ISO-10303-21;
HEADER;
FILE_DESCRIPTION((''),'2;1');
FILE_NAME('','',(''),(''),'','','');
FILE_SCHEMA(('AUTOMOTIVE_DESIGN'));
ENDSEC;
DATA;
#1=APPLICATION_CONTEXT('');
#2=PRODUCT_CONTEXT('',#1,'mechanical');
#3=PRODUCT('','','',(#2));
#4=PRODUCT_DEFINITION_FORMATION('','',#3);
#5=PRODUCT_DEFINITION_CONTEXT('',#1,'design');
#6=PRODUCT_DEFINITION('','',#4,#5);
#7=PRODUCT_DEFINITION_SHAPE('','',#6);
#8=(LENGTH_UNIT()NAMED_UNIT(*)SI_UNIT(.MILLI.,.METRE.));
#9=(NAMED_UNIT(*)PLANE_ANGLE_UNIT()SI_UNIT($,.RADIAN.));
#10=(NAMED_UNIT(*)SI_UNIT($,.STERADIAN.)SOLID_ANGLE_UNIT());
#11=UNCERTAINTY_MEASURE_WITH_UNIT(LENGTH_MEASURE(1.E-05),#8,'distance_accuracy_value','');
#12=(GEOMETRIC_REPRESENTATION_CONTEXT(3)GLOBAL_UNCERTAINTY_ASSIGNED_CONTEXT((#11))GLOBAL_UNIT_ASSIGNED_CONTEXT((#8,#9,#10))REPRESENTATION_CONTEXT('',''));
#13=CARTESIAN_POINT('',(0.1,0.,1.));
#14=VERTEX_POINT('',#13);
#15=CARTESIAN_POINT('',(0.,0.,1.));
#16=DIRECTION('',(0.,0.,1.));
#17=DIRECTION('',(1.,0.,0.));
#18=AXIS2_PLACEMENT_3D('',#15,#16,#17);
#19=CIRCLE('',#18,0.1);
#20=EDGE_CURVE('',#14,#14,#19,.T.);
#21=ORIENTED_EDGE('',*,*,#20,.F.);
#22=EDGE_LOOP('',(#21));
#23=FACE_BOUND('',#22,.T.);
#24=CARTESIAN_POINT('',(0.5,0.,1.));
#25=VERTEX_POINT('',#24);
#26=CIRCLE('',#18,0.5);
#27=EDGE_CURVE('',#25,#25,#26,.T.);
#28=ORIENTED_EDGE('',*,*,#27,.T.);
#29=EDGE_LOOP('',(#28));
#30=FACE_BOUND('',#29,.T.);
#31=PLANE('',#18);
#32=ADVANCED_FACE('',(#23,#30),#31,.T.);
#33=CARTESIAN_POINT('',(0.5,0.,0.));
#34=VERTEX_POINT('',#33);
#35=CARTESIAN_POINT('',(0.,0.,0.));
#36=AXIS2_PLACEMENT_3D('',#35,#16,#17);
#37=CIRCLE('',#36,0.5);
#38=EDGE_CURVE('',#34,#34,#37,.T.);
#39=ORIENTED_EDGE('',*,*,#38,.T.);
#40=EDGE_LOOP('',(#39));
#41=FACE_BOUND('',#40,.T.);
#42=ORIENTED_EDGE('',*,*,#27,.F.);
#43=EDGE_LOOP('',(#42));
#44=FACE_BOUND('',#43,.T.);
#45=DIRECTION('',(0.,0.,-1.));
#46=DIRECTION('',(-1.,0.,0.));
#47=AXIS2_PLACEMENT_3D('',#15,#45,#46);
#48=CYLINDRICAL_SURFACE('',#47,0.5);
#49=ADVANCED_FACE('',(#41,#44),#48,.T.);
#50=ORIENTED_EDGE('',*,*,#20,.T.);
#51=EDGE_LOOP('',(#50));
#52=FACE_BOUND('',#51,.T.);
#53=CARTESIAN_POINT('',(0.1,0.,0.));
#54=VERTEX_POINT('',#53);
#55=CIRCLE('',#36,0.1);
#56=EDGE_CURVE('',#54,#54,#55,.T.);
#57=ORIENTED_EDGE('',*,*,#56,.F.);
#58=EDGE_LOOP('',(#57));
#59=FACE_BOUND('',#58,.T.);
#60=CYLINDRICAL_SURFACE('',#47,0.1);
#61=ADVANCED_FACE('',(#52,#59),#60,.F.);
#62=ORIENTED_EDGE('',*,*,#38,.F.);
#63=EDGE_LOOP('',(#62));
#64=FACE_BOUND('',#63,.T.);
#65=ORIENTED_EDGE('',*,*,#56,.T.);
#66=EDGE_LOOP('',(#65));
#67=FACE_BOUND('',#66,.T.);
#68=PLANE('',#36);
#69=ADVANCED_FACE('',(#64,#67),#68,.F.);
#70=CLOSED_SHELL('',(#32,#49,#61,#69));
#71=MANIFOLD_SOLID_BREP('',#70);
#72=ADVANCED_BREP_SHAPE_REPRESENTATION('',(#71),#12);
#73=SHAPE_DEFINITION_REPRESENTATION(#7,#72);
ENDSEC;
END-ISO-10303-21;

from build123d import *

# Parameters (mm, degrees)
CROQUIS1_R              = 0.5
CROQUIS1_R_2            = 0.1
SALIENTE_EXTRUIR1_DEPTH = 1


with BuildPart() as part:
    # Croquis1 → Saliente-Extruir1 (new body)
    with BuildSketch(Plane.XY):
        Circle(CROQUIS1_R)
        Circle(CROQUIS1_R_2, mode=Mode.SUBTRACT)
    extrude(amount=SALIENTE_EXTRUIR1_DEPTH)


solid = part.part
